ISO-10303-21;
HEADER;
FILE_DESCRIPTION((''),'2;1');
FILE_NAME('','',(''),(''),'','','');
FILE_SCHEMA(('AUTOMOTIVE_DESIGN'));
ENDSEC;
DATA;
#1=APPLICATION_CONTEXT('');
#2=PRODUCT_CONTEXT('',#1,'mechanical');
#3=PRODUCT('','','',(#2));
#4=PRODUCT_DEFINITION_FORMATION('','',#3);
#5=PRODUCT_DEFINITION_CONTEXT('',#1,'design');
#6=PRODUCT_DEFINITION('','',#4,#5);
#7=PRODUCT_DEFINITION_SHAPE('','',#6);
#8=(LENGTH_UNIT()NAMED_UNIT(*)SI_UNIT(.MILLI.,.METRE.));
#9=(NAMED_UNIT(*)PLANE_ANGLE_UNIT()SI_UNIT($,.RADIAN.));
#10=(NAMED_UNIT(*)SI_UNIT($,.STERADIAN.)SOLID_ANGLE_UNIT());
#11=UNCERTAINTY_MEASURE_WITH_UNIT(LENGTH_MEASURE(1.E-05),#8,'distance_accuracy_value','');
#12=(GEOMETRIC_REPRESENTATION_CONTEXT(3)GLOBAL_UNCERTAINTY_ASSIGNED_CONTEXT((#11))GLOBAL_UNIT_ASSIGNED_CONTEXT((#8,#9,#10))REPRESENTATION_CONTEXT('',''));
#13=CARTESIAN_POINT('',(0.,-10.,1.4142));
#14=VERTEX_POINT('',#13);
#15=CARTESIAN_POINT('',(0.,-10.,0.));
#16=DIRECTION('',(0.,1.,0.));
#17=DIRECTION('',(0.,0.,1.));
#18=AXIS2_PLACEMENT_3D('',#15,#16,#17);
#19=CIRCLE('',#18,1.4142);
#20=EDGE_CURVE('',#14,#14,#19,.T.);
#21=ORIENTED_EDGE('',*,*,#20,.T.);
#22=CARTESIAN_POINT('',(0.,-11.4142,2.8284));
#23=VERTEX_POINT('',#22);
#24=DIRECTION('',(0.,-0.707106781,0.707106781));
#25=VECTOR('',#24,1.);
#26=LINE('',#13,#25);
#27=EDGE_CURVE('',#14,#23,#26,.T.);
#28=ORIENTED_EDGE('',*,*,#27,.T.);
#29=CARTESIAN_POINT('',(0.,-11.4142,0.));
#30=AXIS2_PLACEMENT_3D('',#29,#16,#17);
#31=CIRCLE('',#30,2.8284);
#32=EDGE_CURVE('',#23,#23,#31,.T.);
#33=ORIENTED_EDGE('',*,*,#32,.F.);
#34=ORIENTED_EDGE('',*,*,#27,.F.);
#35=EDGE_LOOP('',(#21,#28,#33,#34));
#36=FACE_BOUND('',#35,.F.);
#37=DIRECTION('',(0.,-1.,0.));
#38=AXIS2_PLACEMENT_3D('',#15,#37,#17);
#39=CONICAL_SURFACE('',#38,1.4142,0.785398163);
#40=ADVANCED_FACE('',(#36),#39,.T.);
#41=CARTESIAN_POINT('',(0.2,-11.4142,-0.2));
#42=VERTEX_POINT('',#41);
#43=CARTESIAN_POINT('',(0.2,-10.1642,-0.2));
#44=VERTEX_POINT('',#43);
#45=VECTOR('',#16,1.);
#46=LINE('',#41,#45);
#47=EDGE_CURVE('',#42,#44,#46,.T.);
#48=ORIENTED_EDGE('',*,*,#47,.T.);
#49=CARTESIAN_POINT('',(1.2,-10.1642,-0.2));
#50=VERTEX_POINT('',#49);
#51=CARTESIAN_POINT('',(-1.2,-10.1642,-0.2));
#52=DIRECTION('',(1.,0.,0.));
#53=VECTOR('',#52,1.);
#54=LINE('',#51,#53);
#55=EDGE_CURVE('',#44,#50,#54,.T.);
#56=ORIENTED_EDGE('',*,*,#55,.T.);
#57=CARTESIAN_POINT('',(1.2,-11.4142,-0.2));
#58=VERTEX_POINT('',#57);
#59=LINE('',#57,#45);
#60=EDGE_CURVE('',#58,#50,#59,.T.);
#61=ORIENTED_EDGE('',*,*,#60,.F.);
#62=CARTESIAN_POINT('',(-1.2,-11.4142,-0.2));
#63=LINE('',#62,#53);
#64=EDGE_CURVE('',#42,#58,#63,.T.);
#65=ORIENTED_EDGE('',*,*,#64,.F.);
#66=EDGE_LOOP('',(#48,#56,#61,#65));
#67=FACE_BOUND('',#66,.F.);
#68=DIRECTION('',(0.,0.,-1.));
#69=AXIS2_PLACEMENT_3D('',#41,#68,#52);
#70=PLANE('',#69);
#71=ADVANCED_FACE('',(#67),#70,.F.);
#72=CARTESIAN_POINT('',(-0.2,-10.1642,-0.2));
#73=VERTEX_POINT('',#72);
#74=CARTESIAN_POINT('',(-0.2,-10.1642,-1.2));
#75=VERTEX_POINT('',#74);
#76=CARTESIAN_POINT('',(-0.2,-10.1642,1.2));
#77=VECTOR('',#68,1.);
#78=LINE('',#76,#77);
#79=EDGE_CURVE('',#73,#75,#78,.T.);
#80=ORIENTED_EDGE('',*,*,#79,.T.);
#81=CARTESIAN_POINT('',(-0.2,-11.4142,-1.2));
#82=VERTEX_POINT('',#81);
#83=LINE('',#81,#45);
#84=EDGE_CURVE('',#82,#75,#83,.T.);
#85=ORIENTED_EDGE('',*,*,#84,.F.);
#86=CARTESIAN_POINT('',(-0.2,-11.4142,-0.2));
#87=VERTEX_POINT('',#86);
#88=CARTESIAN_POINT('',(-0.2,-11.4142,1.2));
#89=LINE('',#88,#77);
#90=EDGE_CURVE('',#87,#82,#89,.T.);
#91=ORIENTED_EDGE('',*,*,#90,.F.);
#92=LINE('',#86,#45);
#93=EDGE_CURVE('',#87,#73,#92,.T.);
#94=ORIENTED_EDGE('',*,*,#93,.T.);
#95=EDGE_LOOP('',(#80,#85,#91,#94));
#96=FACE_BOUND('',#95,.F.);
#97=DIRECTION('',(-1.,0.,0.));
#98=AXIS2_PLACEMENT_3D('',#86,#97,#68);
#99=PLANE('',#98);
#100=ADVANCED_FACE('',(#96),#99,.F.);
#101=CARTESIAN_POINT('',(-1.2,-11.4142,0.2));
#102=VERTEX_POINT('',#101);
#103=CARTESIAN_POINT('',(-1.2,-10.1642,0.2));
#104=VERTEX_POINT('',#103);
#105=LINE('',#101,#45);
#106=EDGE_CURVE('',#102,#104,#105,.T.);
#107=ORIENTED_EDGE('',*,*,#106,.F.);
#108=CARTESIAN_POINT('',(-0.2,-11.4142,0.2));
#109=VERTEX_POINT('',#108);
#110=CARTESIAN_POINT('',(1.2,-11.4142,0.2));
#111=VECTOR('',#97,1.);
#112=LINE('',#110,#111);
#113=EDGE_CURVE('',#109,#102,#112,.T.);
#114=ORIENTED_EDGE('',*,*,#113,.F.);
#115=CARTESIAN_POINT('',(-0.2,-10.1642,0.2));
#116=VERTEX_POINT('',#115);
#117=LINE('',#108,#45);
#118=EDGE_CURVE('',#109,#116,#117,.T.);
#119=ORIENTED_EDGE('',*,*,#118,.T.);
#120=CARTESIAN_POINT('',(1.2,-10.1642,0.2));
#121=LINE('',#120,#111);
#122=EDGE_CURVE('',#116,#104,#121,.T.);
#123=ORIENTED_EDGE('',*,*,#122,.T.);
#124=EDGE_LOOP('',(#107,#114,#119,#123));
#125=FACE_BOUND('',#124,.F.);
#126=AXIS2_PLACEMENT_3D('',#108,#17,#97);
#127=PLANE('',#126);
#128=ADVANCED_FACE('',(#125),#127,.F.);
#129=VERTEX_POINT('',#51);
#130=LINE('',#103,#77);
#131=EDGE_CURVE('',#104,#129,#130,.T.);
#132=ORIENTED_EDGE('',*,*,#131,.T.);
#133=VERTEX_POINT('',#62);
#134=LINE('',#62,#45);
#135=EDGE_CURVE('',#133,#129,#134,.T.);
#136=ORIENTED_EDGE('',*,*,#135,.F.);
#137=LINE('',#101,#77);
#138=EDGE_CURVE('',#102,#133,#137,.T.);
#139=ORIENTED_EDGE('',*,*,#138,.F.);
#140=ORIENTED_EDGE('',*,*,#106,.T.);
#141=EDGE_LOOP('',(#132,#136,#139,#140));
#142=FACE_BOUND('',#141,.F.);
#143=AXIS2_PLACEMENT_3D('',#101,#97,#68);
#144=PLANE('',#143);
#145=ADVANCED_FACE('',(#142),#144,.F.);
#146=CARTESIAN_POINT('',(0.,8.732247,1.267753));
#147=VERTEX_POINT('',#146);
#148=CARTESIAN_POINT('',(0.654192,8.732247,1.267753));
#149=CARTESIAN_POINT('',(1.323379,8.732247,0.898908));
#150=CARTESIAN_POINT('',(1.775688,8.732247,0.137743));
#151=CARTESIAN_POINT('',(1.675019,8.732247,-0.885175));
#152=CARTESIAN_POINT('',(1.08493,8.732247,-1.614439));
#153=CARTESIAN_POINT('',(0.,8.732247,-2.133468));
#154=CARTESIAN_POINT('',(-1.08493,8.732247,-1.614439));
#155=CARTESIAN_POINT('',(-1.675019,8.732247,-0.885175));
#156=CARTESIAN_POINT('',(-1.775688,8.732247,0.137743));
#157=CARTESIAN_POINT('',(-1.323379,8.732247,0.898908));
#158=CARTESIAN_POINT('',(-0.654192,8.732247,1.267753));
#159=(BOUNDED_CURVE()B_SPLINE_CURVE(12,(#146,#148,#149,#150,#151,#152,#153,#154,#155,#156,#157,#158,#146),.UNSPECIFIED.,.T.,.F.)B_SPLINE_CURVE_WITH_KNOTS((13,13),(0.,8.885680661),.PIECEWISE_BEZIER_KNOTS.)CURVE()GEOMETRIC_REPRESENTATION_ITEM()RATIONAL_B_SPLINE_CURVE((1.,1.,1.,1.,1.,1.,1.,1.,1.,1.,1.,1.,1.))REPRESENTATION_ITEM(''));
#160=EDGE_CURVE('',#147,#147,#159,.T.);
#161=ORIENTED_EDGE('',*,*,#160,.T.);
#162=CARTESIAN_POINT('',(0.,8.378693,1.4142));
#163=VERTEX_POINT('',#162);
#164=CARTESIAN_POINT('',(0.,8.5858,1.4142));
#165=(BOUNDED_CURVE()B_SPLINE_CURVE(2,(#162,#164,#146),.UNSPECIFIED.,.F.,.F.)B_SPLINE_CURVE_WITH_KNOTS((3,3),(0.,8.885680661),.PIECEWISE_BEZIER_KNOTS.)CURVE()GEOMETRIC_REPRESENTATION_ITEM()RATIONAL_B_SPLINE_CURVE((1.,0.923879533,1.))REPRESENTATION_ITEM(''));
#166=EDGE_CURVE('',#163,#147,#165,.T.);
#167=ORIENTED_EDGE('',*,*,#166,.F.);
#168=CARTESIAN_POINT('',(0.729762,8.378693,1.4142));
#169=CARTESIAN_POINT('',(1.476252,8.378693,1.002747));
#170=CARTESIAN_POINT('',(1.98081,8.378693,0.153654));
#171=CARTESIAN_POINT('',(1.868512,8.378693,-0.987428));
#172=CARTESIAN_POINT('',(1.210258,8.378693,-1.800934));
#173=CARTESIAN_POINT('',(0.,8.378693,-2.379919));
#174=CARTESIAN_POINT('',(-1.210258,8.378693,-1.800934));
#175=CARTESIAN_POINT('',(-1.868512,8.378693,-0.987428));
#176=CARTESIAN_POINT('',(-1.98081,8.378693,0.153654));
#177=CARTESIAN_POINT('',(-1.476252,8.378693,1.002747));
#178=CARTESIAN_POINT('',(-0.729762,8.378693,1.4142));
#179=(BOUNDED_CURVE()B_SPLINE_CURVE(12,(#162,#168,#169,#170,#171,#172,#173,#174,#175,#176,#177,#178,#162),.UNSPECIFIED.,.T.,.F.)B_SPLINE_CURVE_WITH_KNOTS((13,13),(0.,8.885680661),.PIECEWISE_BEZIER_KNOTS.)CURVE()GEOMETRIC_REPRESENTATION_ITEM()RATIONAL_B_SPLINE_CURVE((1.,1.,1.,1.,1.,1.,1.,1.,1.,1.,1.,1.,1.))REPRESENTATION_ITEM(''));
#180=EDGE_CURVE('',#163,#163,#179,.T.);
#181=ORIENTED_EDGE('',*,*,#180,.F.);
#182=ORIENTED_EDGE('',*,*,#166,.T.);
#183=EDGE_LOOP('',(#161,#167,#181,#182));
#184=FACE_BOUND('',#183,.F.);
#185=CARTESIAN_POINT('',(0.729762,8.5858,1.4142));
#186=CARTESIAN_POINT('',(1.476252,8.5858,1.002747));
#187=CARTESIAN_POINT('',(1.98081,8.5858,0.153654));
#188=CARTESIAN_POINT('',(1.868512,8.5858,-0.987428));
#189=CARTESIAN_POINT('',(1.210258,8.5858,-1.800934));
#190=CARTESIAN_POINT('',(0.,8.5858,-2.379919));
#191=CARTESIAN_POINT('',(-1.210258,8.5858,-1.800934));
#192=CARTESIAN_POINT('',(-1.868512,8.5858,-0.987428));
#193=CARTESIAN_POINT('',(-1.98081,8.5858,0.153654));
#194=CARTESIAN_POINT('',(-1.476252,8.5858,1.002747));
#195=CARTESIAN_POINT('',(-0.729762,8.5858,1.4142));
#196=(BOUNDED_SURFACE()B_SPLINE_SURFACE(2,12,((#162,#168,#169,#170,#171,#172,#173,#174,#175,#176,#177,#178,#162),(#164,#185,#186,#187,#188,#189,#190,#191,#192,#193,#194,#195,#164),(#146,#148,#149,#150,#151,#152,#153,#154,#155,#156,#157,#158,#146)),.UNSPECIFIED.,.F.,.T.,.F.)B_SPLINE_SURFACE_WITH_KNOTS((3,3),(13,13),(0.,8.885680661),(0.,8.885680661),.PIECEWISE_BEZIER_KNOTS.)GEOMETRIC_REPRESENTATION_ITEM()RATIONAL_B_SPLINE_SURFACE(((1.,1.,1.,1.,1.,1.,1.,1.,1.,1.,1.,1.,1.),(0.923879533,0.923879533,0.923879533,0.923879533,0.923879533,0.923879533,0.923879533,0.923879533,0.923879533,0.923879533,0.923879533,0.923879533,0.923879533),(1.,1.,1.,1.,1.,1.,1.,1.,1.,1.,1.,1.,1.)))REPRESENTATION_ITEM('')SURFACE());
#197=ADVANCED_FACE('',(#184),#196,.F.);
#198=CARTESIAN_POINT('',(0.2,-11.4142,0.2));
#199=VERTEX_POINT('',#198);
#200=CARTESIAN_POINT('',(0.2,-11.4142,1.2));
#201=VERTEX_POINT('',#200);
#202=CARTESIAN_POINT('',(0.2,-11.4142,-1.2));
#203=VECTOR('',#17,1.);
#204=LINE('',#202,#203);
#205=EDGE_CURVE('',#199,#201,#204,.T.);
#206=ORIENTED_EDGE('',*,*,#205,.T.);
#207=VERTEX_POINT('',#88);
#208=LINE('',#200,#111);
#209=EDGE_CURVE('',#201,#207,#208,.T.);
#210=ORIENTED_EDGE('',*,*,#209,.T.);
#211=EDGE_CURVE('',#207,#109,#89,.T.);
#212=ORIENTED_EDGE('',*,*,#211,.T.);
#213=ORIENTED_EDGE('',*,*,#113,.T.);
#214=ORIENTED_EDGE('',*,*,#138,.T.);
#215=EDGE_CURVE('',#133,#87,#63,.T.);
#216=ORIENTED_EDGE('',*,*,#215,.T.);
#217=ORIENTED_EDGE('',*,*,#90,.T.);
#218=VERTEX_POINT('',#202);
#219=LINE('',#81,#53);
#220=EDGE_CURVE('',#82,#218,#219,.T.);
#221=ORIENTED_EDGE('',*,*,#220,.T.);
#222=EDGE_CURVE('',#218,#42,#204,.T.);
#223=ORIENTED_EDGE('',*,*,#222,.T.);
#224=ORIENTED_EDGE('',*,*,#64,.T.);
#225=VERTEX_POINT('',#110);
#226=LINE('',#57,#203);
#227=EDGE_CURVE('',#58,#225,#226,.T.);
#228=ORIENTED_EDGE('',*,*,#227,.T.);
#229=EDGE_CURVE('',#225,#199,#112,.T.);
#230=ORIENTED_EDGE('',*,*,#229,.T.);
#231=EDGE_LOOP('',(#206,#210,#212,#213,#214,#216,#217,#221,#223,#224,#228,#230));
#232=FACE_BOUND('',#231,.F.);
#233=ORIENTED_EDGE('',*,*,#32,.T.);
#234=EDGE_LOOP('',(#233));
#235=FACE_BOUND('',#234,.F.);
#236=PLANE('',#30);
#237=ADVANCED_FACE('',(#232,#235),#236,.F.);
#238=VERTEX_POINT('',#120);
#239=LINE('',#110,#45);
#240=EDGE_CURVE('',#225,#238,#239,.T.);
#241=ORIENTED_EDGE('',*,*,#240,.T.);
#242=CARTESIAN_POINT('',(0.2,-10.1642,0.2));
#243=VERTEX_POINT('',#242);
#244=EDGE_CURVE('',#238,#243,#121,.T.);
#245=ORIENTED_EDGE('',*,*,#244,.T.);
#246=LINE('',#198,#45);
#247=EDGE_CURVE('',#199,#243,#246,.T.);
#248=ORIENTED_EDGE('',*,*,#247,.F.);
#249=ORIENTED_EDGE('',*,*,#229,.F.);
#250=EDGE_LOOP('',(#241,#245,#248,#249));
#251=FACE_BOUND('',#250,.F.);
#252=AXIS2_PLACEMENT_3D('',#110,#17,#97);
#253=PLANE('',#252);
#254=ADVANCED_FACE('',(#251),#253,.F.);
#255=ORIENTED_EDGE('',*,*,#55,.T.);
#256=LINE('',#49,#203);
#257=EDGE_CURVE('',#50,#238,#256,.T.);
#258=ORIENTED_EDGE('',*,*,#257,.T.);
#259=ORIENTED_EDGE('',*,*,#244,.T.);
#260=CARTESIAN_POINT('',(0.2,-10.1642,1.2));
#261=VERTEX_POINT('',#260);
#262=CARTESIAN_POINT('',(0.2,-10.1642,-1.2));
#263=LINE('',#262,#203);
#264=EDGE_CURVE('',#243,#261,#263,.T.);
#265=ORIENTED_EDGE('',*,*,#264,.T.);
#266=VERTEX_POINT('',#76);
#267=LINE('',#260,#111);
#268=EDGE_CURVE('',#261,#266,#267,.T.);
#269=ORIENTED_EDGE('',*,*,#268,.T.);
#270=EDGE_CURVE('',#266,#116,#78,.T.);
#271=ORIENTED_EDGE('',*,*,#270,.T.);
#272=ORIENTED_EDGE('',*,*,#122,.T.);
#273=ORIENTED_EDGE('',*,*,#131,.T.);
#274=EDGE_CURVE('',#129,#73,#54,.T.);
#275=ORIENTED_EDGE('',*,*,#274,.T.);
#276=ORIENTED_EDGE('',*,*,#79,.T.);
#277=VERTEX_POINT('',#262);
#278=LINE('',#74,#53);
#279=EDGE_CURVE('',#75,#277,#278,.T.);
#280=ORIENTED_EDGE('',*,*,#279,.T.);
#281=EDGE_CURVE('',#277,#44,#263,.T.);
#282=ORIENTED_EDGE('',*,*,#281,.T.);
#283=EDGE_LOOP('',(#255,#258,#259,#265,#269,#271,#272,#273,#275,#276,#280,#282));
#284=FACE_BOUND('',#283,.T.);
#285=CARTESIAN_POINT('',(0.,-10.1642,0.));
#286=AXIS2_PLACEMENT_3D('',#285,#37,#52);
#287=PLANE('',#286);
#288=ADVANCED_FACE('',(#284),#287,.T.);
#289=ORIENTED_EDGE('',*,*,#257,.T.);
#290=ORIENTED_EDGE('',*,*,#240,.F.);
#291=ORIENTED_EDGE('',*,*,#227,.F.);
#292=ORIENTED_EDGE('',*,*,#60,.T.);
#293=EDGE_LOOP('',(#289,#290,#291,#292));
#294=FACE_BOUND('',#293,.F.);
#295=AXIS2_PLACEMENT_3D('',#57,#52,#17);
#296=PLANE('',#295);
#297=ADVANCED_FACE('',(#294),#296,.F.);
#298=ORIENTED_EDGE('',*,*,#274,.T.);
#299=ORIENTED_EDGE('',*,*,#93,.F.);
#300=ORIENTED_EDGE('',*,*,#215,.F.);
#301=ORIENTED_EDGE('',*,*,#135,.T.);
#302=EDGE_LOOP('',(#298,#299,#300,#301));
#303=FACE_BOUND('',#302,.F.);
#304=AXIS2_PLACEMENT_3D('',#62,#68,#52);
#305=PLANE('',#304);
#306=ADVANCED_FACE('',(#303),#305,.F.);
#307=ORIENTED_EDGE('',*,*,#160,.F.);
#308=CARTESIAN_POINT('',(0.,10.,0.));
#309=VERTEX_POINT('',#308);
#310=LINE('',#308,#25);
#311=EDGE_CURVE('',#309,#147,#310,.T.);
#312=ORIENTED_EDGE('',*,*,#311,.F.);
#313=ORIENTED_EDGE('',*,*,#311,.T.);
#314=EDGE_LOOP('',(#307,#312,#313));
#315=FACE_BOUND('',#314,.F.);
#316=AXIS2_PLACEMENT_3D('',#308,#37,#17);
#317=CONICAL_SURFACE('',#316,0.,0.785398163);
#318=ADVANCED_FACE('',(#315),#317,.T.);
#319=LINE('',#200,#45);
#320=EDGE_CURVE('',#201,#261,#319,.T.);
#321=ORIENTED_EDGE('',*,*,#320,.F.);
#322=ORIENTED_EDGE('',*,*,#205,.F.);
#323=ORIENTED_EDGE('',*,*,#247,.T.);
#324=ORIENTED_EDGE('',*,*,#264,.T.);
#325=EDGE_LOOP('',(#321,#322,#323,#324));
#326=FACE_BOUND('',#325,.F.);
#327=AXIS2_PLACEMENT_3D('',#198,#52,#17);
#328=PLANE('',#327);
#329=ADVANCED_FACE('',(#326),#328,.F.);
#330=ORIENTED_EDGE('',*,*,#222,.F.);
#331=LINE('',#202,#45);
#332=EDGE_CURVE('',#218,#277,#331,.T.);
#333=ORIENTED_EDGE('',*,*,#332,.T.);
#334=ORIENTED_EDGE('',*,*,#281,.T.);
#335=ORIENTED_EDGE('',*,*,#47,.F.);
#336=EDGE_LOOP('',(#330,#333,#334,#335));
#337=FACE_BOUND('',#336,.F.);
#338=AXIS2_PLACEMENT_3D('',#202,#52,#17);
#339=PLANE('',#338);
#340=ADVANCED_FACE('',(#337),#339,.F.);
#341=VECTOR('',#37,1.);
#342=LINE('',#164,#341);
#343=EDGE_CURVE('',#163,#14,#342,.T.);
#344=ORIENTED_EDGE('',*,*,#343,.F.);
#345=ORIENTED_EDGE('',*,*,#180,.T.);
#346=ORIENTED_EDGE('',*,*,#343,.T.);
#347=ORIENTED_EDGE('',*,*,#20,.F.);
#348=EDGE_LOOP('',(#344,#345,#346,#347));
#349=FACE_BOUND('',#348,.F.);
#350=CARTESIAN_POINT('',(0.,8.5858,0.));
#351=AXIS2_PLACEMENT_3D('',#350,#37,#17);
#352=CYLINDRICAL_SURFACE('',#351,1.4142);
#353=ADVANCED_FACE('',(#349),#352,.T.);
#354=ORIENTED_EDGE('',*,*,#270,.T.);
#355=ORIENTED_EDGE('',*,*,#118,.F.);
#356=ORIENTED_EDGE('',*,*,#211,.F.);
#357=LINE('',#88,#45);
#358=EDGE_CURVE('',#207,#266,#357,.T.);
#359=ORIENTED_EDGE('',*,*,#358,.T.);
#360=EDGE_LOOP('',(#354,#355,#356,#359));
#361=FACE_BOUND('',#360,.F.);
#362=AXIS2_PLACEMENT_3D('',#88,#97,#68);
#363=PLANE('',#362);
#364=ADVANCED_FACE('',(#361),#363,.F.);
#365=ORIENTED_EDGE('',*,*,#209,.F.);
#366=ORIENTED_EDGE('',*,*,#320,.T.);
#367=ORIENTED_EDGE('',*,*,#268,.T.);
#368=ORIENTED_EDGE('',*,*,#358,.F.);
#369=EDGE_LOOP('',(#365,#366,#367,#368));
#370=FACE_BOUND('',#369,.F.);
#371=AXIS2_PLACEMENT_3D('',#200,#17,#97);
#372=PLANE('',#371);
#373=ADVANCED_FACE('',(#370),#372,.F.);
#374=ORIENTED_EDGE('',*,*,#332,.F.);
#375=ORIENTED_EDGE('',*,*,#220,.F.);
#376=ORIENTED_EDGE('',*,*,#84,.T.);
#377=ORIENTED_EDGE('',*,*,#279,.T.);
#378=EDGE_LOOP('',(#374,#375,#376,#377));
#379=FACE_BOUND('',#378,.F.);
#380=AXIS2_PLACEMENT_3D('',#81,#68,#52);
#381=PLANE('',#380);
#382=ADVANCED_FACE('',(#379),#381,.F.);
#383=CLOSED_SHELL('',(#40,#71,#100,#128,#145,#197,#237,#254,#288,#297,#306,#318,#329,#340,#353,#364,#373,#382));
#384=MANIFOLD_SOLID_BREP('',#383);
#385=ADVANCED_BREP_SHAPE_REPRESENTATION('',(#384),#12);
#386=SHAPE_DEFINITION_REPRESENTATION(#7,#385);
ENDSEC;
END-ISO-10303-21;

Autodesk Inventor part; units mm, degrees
ref_plane "YZ Plane" through (0, 0, 0) normal (1, 0, 0) x (0, 1, 0)
ref_plane "XZ Plane" through (0, 0, 0) normal (0, 1, 0) x (-1, 0, 0)
ref_plane "XY Plane" through (0, 0, 0) normal (0, 0, 1) x (1, 0, 0)
sketch "Sketch1" plane through (0, 0, 0) normal (1, 0, 0) x (0, 1, 0)
  line L0 (0, 0) -> (10, 0)
  line L1 (0, 0) -> (-10, 0)
  line L2 (10, 0) -> (8.5858, 1.4142)
  line L3 (8.5858, 1.4142) -> (-10, 1.4142)
  line L4 (-10, 1.4142) -> (-10, 0)
  line L5 (-10, 1.4142) -> (-11.453, 1.4142) construction
  line L6 (-10, 1.4142) -> (-11.4142, 2.8284)
  line L7 (-10, 0) -> (-12.8284, 0)
  line L8 (-11.4142, 2.8284) -> (-11.4142, 0)
  dimension "d0" = 10
  dimension "d1" = 10
  dimension "d2" = 2
  dimension "d3" = 45
  dimension "d4" = 2
  dimension "d8" = 45
revolve "Revolution1" add sketch "Sketch1" angle 360 about axis through (0, 0, 0) along (0, 1, 0)
fillet "Fillet1" radius 0.5 1 edges at (0, 8.5858, -1.4142)
sketch "Sketch3" plane through (0, -11.4142, 0) normal (0, -1, 0) x (1, 0, 0)
  line L0 (0.2, 1.2) -> (-0.2, 1.2)
  line L1 (-0.2, 1.2) -> (-0.2, -1.2)
  line L2 (-0.2, -1.2) -> (0.2, -1.2)
  line L3 (0.2, -1.2) -> (0.2, 1.2)
  line L4 (1.2, 0.2) -> (-1.2, 0.2)
  line L5 (-1.2, 0.2) -> (-1.2, -0.2)
  line L6 (-1.2, -0.2) -> (1.2, -0.2)
  line L7 (1.2, -0.2) -> (1.2, 0.2)
  point P0 (0, 0)
  dimension "d28" = 0.2
  dimension "d29" = 0.2
  dimension "d30" = 1.2
  dimension "d31" = 1.2
  dimension "d32" = 1.2
  dimension "d33" = 1.2
  dimension "d34" = 0.2
  dimension "d35" = 0.2
extrude "Extrusion1" cut sketch "Sketch3" against normal blind 1.25
thread "Thread2" size "M3x0.5" class "4g6g" standard "ISO Metric profile" full length
properties part number "screw"
